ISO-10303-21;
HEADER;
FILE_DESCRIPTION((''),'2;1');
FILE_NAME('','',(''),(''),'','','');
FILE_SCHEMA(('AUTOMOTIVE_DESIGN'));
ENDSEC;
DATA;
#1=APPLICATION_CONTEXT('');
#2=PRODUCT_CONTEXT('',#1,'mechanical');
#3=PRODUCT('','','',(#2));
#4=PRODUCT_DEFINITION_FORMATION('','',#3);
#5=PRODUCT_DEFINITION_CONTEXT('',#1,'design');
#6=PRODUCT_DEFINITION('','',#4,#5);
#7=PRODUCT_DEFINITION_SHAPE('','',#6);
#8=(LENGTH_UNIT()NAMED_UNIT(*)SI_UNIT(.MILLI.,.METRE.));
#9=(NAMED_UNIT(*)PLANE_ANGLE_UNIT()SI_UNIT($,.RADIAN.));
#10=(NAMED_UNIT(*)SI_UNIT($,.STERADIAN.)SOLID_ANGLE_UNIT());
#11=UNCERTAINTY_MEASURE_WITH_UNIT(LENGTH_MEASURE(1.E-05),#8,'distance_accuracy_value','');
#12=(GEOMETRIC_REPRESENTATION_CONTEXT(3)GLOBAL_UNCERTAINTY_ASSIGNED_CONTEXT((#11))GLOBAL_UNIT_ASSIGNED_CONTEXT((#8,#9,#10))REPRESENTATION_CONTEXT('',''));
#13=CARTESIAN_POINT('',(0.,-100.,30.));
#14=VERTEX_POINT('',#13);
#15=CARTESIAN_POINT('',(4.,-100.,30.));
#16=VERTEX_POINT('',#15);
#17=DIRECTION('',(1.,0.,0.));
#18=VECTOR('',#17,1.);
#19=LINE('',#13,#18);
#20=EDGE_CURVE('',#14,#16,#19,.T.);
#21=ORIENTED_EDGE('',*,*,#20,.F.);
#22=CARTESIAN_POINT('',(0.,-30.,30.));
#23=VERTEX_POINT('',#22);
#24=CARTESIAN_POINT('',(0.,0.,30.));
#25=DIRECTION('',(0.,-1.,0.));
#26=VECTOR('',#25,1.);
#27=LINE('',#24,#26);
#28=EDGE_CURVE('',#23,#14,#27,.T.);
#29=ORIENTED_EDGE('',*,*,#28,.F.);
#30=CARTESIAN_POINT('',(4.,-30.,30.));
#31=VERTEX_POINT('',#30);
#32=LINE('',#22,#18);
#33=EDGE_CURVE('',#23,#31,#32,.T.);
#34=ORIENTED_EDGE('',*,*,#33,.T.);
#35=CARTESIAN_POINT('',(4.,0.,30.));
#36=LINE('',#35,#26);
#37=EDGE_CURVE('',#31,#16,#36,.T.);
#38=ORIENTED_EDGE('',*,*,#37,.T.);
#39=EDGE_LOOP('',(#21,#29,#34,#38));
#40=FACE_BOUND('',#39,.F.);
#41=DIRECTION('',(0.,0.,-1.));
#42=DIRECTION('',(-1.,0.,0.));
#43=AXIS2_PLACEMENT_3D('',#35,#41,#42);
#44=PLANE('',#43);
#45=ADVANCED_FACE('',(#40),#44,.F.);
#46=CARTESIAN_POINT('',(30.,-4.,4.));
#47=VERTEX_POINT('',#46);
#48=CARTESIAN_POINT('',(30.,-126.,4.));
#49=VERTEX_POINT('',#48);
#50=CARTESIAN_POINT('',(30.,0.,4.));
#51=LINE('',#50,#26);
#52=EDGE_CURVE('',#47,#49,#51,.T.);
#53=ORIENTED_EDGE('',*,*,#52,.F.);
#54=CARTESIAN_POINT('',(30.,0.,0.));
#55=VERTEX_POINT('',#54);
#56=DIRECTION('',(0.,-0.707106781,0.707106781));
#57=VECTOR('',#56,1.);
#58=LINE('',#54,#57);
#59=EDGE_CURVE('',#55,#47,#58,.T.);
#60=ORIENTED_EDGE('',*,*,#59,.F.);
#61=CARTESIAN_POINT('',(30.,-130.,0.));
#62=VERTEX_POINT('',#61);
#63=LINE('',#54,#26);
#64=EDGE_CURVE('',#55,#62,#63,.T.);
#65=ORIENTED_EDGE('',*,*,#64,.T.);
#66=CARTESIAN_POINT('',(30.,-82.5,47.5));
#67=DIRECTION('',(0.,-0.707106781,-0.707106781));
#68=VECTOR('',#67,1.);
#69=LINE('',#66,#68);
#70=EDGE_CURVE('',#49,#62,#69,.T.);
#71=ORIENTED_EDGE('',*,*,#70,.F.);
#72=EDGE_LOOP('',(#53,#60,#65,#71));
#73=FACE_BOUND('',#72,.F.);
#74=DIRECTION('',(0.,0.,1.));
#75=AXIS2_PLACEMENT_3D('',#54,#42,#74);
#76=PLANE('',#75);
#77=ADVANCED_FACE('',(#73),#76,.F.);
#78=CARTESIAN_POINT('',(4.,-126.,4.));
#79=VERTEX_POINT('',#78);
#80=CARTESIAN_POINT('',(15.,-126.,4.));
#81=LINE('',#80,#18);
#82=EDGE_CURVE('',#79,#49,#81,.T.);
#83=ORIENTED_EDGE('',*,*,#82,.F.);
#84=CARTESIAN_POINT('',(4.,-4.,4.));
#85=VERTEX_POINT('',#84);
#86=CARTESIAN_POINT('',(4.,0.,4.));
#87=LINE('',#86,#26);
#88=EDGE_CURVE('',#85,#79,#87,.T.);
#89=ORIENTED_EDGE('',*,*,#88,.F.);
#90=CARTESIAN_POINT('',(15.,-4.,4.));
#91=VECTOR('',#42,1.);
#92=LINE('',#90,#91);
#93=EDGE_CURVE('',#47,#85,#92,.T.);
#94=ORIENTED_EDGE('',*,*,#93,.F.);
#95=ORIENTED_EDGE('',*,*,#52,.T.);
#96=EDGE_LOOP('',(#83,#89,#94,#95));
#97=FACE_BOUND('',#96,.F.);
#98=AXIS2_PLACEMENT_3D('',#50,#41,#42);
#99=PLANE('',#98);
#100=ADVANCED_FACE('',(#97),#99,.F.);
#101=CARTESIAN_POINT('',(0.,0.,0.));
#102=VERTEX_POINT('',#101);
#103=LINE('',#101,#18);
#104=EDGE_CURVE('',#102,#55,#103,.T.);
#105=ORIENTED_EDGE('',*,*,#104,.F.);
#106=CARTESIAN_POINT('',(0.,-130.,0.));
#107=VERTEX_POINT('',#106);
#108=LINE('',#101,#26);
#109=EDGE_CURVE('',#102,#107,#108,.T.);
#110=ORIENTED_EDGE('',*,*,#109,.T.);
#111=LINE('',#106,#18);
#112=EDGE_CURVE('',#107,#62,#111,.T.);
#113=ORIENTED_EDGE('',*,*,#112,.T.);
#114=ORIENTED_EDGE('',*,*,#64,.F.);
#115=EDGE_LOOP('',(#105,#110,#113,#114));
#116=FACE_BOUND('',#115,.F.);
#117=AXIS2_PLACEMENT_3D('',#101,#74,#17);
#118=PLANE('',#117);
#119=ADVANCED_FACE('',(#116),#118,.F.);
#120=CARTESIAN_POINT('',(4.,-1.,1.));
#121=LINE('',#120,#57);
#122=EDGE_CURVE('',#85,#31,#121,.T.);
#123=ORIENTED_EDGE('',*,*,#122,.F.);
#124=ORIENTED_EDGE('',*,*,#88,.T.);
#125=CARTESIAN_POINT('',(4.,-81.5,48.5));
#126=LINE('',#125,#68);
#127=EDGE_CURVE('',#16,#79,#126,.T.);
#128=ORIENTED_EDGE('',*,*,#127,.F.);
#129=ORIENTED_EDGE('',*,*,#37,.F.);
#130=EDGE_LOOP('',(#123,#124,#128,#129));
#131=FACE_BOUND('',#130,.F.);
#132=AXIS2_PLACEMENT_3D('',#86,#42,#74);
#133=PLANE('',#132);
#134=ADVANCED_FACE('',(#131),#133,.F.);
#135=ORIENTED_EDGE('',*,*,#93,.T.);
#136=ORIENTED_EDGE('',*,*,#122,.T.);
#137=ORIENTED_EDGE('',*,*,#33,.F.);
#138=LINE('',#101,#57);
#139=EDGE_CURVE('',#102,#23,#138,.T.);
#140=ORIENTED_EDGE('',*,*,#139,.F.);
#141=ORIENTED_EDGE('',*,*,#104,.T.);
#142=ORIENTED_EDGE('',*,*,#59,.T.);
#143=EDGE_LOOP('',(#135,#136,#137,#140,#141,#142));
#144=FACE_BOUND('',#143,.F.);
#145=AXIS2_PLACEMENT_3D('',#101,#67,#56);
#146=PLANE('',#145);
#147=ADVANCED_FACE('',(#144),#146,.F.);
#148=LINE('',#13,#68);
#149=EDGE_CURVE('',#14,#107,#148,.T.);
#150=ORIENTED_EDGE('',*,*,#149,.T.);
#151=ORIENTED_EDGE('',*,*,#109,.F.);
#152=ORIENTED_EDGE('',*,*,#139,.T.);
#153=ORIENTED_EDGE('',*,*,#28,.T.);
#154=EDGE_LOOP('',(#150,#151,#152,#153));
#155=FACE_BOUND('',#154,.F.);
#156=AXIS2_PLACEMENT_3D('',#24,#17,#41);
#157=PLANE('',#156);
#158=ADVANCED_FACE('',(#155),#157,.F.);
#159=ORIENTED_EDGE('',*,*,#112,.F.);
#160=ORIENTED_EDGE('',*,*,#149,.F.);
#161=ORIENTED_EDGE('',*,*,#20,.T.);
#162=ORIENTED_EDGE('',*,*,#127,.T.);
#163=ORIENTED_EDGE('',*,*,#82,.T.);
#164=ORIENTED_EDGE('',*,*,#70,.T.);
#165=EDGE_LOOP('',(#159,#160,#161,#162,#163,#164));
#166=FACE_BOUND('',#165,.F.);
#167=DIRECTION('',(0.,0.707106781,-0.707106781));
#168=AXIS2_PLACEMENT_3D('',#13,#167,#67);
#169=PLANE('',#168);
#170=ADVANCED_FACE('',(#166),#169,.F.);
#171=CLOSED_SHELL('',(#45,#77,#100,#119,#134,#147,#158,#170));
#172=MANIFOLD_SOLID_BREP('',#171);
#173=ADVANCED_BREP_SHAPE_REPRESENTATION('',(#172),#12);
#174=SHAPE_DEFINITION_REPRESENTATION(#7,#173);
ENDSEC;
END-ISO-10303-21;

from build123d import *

# Parameters (mm, degrees)
F1_DEPTH = 130
F3_DEPTH = 50


with BuildPart() as f1:
    # F0 (on Front) → F1 (new body)
    with BuildSketch(Plane.XZ):
        Polygon((0, 30), (0, 0), (30, 0), (30, 4), (4, 4), (4, 30), align=None)
    extrude(amount=F1_DEPTH)

    # F2 (on face) → F3 (cut)
    with BuildSketch(Plane(origin=(0, 0, 0), x_dir=(0, -1, 0), z_dir=(-1, 0, 0))):
        Polygon((0, 30), (0, 0), (30, 30), align=None)
        Polygon((100, 30), (130, 0), (130, 30), align=None)
    extrude(amount=-F3_DEPTH, mode=Mode.SUBTRACT)


solid = f1.part
